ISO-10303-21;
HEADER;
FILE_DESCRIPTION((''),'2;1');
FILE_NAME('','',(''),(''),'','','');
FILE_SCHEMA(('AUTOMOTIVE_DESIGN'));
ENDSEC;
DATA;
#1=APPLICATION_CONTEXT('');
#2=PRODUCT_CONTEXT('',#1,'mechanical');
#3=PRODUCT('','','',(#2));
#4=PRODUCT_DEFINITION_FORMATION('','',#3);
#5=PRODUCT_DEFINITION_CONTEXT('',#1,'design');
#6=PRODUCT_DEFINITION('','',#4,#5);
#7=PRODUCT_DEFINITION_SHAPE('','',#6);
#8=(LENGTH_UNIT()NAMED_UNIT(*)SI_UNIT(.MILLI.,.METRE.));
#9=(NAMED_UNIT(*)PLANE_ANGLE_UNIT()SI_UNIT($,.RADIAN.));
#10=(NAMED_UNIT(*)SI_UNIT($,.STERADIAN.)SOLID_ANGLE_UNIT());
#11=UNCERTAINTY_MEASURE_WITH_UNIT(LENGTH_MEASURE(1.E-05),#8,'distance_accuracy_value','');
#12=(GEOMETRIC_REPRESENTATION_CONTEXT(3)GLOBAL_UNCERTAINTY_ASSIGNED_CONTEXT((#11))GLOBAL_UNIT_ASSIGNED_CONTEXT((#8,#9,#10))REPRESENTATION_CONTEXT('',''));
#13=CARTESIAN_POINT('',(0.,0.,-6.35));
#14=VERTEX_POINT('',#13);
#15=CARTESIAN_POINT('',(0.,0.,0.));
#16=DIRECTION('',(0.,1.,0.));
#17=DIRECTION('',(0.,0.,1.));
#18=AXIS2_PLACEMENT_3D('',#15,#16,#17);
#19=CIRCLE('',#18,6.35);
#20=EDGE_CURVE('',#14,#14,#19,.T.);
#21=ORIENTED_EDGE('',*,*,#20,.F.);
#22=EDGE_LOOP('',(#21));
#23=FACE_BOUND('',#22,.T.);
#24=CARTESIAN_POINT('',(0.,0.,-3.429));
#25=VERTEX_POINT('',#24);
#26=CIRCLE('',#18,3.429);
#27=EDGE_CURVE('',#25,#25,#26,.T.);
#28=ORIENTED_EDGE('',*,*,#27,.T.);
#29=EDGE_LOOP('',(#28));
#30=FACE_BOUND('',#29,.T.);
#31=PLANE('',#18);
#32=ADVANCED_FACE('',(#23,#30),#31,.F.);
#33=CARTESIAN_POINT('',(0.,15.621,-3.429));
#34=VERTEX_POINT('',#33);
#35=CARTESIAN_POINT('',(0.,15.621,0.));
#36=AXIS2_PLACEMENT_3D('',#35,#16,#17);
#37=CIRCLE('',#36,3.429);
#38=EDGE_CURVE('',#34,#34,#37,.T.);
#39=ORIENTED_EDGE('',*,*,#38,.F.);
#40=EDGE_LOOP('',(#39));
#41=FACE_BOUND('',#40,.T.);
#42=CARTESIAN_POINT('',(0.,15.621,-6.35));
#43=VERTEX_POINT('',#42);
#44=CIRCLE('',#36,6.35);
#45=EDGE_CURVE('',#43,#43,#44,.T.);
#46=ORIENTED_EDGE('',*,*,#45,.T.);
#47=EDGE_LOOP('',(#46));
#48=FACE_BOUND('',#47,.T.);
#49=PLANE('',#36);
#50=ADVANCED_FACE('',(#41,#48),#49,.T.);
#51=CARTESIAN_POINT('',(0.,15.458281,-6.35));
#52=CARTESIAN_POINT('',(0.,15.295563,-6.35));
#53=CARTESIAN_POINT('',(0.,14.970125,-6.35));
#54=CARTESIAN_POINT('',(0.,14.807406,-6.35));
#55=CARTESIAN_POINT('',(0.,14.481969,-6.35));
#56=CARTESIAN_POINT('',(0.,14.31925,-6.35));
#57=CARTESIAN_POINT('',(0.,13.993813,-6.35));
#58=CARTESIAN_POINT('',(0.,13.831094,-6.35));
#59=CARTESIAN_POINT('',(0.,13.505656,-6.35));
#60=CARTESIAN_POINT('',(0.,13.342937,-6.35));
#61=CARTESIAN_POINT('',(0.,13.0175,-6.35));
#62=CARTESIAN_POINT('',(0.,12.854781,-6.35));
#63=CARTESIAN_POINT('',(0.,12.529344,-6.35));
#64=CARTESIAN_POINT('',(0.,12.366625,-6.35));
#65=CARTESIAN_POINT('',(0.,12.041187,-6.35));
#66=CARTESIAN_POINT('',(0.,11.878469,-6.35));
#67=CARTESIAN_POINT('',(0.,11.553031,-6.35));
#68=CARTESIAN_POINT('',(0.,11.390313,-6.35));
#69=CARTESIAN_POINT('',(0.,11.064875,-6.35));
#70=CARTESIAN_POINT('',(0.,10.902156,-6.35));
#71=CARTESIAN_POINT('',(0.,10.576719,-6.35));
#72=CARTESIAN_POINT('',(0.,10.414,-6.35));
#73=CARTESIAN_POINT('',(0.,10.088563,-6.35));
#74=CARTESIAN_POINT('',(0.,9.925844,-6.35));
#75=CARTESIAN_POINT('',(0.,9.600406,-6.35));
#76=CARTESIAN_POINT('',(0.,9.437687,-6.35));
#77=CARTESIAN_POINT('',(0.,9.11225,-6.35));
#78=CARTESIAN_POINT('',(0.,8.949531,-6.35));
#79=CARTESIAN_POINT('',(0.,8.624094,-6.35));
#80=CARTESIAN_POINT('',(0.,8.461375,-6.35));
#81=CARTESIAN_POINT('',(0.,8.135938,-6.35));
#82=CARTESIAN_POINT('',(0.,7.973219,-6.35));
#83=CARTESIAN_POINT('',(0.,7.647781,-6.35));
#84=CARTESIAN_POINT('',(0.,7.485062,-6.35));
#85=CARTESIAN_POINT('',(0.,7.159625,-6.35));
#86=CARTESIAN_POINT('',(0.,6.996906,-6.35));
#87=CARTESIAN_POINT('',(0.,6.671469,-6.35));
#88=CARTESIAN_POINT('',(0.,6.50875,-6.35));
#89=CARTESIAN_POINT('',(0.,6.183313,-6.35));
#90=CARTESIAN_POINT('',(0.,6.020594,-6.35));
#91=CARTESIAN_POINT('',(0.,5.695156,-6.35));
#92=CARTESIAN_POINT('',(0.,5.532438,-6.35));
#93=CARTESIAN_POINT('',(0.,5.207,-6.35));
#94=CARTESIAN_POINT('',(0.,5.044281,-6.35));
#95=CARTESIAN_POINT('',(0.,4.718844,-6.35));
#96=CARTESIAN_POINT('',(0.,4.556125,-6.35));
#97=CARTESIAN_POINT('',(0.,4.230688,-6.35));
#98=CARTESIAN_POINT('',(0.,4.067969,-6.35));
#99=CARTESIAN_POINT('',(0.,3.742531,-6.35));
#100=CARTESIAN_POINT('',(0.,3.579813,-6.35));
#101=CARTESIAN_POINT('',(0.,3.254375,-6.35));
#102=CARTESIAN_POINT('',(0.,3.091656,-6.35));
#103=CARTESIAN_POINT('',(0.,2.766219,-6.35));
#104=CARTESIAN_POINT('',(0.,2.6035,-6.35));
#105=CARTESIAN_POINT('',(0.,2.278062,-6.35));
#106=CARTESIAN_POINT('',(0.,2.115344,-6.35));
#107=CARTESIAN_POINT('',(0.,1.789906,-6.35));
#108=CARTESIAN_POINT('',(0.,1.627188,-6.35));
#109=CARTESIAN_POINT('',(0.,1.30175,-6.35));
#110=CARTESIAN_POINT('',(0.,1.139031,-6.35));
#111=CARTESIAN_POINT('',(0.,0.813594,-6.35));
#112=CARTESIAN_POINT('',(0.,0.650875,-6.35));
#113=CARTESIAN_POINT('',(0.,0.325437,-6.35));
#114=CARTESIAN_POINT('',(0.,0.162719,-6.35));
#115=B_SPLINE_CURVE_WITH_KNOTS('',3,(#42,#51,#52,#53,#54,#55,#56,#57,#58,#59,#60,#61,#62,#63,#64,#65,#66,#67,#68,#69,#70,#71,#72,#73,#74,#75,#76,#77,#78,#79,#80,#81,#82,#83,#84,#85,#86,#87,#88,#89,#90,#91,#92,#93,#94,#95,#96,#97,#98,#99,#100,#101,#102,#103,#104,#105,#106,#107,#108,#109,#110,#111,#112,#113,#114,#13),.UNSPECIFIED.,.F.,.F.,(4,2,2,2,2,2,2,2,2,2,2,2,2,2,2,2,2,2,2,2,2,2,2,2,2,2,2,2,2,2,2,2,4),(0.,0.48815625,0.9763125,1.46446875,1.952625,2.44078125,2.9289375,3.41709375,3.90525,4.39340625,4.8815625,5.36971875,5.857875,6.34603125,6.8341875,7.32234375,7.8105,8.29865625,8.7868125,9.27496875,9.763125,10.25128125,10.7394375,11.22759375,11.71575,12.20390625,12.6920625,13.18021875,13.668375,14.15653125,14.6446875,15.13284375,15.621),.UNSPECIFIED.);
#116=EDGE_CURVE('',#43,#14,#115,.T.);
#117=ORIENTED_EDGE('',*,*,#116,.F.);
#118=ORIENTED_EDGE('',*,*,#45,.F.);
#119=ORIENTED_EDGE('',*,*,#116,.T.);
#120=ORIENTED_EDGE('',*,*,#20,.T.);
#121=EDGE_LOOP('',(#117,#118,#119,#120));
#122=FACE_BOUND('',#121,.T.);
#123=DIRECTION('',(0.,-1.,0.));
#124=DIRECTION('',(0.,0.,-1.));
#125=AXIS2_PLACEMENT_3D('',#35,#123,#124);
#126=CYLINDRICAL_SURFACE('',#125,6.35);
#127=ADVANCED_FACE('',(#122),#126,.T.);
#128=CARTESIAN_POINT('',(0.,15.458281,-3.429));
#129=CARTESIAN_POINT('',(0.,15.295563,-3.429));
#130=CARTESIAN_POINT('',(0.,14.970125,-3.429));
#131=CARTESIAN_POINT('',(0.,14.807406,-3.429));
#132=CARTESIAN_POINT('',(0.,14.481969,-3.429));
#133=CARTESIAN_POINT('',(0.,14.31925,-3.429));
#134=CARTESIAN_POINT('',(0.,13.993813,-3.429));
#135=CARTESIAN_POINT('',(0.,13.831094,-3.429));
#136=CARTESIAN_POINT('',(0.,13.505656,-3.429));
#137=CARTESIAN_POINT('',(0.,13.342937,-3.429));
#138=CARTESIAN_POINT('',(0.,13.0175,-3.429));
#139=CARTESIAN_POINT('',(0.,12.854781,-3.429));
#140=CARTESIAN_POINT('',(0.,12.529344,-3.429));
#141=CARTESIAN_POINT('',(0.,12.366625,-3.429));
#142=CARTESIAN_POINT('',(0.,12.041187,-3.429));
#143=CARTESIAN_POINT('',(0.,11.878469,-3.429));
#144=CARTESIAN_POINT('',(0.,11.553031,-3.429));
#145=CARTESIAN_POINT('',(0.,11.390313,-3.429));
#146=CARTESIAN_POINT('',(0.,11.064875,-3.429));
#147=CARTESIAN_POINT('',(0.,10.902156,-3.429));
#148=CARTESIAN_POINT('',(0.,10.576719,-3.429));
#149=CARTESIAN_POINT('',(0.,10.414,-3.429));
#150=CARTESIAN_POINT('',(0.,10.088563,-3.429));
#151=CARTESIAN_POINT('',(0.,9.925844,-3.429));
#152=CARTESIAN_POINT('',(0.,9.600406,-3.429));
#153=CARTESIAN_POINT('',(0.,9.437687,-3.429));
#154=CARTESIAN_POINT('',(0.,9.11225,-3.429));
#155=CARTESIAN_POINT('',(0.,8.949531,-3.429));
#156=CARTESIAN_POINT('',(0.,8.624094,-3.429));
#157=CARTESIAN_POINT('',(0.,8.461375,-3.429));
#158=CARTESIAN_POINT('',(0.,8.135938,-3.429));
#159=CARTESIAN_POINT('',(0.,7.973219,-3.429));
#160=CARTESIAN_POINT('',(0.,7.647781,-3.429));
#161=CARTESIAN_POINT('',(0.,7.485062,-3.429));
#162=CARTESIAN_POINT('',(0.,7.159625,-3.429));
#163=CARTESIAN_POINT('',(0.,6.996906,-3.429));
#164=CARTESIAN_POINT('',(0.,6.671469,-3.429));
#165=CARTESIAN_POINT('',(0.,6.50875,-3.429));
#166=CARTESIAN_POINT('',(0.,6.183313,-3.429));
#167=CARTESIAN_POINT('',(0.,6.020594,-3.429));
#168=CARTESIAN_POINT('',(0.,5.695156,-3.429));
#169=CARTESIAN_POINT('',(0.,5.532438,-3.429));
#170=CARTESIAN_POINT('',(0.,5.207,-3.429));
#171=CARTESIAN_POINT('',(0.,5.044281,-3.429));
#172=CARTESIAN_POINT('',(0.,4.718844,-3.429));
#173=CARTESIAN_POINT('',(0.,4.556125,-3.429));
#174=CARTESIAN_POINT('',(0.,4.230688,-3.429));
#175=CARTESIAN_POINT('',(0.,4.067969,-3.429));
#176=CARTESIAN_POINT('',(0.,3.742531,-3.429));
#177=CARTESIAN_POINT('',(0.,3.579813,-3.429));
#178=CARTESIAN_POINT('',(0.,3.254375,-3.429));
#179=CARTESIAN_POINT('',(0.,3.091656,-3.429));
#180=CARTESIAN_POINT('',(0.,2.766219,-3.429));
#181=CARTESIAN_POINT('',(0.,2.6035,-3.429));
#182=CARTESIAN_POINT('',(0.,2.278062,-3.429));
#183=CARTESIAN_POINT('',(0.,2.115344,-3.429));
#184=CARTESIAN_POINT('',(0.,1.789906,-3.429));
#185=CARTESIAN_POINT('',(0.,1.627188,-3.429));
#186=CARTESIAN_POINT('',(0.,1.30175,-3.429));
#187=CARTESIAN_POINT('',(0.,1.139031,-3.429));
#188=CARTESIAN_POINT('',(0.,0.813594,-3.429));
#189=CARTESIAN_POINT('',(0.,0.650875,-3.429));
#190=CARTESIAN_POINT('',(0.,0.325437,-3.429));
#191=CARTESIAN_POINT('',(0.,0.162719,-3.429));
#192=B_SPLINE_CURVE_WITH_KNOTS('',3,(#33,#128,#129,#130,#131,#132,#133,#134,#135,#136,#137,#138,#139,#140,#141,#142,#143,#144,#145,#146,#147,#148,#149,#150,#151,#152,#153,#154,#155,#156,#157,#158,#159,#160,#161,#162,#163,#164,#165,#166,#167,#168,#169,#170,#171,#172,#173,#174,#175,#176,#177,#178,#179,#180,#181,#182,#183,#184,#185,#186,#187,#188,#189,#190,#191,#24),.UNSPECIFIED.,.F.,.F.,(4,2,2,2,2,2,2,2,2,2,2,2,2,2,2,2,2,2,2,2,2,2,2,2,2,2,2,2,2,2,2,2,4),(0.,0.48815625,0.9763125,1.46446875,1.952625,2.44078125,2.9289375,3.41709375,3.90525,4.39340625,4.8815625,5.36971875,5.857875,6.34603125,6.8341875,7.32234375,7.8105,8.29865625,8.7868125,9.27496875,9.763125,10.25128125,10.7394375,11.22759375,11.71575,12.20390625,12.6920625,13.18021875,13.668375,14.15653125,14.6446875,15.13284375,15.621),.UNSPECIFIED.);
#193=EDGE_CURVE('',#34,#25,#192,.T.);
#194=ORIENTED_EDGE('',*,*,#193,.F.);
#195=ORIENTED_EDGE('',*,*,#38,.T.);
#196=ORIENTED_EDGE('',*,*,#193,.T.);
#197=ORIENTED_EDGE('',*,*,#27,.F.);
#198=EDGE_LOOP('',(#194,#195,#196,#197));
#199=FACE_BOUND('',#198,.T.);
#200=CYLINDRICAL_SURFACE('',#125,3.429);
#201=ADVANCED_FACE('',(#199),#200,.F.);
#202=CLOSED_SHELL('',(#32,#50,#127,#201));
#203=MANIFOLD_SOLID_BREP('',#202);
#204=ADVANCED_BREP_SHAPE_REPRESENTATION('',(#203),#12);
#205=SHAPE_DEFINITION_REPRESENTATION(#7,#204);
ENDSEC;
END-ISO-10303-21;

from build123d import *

# Parameters (mm, degrees)
SKETCH1_R           = 6.35
SKETCH1_R_2         = 3.429
BOSS_EXTRUDE1_DEPTH = 15.621


with BuildPart() as part:
    # Sketch1 → Boss-Extrude1 (new body)
    with BuildSketch(Plane(origin=(0, 0, 0), x_dir=(1, 0, 0), z_dir=(0, 1, 0))):
        with Locations(Location((0, 0, 0), (0, 0, 90))):
            Circle(SKETCH1_R)
        with Locations(Location((0, 0, 0), (0, 0, 90))):
            Circle(SKETCH1_R_2, mode=Mode.SUBTRACT)
    extrude(amount=BOSS_EXTRUDE1_DEPTH)


solid = part.part
